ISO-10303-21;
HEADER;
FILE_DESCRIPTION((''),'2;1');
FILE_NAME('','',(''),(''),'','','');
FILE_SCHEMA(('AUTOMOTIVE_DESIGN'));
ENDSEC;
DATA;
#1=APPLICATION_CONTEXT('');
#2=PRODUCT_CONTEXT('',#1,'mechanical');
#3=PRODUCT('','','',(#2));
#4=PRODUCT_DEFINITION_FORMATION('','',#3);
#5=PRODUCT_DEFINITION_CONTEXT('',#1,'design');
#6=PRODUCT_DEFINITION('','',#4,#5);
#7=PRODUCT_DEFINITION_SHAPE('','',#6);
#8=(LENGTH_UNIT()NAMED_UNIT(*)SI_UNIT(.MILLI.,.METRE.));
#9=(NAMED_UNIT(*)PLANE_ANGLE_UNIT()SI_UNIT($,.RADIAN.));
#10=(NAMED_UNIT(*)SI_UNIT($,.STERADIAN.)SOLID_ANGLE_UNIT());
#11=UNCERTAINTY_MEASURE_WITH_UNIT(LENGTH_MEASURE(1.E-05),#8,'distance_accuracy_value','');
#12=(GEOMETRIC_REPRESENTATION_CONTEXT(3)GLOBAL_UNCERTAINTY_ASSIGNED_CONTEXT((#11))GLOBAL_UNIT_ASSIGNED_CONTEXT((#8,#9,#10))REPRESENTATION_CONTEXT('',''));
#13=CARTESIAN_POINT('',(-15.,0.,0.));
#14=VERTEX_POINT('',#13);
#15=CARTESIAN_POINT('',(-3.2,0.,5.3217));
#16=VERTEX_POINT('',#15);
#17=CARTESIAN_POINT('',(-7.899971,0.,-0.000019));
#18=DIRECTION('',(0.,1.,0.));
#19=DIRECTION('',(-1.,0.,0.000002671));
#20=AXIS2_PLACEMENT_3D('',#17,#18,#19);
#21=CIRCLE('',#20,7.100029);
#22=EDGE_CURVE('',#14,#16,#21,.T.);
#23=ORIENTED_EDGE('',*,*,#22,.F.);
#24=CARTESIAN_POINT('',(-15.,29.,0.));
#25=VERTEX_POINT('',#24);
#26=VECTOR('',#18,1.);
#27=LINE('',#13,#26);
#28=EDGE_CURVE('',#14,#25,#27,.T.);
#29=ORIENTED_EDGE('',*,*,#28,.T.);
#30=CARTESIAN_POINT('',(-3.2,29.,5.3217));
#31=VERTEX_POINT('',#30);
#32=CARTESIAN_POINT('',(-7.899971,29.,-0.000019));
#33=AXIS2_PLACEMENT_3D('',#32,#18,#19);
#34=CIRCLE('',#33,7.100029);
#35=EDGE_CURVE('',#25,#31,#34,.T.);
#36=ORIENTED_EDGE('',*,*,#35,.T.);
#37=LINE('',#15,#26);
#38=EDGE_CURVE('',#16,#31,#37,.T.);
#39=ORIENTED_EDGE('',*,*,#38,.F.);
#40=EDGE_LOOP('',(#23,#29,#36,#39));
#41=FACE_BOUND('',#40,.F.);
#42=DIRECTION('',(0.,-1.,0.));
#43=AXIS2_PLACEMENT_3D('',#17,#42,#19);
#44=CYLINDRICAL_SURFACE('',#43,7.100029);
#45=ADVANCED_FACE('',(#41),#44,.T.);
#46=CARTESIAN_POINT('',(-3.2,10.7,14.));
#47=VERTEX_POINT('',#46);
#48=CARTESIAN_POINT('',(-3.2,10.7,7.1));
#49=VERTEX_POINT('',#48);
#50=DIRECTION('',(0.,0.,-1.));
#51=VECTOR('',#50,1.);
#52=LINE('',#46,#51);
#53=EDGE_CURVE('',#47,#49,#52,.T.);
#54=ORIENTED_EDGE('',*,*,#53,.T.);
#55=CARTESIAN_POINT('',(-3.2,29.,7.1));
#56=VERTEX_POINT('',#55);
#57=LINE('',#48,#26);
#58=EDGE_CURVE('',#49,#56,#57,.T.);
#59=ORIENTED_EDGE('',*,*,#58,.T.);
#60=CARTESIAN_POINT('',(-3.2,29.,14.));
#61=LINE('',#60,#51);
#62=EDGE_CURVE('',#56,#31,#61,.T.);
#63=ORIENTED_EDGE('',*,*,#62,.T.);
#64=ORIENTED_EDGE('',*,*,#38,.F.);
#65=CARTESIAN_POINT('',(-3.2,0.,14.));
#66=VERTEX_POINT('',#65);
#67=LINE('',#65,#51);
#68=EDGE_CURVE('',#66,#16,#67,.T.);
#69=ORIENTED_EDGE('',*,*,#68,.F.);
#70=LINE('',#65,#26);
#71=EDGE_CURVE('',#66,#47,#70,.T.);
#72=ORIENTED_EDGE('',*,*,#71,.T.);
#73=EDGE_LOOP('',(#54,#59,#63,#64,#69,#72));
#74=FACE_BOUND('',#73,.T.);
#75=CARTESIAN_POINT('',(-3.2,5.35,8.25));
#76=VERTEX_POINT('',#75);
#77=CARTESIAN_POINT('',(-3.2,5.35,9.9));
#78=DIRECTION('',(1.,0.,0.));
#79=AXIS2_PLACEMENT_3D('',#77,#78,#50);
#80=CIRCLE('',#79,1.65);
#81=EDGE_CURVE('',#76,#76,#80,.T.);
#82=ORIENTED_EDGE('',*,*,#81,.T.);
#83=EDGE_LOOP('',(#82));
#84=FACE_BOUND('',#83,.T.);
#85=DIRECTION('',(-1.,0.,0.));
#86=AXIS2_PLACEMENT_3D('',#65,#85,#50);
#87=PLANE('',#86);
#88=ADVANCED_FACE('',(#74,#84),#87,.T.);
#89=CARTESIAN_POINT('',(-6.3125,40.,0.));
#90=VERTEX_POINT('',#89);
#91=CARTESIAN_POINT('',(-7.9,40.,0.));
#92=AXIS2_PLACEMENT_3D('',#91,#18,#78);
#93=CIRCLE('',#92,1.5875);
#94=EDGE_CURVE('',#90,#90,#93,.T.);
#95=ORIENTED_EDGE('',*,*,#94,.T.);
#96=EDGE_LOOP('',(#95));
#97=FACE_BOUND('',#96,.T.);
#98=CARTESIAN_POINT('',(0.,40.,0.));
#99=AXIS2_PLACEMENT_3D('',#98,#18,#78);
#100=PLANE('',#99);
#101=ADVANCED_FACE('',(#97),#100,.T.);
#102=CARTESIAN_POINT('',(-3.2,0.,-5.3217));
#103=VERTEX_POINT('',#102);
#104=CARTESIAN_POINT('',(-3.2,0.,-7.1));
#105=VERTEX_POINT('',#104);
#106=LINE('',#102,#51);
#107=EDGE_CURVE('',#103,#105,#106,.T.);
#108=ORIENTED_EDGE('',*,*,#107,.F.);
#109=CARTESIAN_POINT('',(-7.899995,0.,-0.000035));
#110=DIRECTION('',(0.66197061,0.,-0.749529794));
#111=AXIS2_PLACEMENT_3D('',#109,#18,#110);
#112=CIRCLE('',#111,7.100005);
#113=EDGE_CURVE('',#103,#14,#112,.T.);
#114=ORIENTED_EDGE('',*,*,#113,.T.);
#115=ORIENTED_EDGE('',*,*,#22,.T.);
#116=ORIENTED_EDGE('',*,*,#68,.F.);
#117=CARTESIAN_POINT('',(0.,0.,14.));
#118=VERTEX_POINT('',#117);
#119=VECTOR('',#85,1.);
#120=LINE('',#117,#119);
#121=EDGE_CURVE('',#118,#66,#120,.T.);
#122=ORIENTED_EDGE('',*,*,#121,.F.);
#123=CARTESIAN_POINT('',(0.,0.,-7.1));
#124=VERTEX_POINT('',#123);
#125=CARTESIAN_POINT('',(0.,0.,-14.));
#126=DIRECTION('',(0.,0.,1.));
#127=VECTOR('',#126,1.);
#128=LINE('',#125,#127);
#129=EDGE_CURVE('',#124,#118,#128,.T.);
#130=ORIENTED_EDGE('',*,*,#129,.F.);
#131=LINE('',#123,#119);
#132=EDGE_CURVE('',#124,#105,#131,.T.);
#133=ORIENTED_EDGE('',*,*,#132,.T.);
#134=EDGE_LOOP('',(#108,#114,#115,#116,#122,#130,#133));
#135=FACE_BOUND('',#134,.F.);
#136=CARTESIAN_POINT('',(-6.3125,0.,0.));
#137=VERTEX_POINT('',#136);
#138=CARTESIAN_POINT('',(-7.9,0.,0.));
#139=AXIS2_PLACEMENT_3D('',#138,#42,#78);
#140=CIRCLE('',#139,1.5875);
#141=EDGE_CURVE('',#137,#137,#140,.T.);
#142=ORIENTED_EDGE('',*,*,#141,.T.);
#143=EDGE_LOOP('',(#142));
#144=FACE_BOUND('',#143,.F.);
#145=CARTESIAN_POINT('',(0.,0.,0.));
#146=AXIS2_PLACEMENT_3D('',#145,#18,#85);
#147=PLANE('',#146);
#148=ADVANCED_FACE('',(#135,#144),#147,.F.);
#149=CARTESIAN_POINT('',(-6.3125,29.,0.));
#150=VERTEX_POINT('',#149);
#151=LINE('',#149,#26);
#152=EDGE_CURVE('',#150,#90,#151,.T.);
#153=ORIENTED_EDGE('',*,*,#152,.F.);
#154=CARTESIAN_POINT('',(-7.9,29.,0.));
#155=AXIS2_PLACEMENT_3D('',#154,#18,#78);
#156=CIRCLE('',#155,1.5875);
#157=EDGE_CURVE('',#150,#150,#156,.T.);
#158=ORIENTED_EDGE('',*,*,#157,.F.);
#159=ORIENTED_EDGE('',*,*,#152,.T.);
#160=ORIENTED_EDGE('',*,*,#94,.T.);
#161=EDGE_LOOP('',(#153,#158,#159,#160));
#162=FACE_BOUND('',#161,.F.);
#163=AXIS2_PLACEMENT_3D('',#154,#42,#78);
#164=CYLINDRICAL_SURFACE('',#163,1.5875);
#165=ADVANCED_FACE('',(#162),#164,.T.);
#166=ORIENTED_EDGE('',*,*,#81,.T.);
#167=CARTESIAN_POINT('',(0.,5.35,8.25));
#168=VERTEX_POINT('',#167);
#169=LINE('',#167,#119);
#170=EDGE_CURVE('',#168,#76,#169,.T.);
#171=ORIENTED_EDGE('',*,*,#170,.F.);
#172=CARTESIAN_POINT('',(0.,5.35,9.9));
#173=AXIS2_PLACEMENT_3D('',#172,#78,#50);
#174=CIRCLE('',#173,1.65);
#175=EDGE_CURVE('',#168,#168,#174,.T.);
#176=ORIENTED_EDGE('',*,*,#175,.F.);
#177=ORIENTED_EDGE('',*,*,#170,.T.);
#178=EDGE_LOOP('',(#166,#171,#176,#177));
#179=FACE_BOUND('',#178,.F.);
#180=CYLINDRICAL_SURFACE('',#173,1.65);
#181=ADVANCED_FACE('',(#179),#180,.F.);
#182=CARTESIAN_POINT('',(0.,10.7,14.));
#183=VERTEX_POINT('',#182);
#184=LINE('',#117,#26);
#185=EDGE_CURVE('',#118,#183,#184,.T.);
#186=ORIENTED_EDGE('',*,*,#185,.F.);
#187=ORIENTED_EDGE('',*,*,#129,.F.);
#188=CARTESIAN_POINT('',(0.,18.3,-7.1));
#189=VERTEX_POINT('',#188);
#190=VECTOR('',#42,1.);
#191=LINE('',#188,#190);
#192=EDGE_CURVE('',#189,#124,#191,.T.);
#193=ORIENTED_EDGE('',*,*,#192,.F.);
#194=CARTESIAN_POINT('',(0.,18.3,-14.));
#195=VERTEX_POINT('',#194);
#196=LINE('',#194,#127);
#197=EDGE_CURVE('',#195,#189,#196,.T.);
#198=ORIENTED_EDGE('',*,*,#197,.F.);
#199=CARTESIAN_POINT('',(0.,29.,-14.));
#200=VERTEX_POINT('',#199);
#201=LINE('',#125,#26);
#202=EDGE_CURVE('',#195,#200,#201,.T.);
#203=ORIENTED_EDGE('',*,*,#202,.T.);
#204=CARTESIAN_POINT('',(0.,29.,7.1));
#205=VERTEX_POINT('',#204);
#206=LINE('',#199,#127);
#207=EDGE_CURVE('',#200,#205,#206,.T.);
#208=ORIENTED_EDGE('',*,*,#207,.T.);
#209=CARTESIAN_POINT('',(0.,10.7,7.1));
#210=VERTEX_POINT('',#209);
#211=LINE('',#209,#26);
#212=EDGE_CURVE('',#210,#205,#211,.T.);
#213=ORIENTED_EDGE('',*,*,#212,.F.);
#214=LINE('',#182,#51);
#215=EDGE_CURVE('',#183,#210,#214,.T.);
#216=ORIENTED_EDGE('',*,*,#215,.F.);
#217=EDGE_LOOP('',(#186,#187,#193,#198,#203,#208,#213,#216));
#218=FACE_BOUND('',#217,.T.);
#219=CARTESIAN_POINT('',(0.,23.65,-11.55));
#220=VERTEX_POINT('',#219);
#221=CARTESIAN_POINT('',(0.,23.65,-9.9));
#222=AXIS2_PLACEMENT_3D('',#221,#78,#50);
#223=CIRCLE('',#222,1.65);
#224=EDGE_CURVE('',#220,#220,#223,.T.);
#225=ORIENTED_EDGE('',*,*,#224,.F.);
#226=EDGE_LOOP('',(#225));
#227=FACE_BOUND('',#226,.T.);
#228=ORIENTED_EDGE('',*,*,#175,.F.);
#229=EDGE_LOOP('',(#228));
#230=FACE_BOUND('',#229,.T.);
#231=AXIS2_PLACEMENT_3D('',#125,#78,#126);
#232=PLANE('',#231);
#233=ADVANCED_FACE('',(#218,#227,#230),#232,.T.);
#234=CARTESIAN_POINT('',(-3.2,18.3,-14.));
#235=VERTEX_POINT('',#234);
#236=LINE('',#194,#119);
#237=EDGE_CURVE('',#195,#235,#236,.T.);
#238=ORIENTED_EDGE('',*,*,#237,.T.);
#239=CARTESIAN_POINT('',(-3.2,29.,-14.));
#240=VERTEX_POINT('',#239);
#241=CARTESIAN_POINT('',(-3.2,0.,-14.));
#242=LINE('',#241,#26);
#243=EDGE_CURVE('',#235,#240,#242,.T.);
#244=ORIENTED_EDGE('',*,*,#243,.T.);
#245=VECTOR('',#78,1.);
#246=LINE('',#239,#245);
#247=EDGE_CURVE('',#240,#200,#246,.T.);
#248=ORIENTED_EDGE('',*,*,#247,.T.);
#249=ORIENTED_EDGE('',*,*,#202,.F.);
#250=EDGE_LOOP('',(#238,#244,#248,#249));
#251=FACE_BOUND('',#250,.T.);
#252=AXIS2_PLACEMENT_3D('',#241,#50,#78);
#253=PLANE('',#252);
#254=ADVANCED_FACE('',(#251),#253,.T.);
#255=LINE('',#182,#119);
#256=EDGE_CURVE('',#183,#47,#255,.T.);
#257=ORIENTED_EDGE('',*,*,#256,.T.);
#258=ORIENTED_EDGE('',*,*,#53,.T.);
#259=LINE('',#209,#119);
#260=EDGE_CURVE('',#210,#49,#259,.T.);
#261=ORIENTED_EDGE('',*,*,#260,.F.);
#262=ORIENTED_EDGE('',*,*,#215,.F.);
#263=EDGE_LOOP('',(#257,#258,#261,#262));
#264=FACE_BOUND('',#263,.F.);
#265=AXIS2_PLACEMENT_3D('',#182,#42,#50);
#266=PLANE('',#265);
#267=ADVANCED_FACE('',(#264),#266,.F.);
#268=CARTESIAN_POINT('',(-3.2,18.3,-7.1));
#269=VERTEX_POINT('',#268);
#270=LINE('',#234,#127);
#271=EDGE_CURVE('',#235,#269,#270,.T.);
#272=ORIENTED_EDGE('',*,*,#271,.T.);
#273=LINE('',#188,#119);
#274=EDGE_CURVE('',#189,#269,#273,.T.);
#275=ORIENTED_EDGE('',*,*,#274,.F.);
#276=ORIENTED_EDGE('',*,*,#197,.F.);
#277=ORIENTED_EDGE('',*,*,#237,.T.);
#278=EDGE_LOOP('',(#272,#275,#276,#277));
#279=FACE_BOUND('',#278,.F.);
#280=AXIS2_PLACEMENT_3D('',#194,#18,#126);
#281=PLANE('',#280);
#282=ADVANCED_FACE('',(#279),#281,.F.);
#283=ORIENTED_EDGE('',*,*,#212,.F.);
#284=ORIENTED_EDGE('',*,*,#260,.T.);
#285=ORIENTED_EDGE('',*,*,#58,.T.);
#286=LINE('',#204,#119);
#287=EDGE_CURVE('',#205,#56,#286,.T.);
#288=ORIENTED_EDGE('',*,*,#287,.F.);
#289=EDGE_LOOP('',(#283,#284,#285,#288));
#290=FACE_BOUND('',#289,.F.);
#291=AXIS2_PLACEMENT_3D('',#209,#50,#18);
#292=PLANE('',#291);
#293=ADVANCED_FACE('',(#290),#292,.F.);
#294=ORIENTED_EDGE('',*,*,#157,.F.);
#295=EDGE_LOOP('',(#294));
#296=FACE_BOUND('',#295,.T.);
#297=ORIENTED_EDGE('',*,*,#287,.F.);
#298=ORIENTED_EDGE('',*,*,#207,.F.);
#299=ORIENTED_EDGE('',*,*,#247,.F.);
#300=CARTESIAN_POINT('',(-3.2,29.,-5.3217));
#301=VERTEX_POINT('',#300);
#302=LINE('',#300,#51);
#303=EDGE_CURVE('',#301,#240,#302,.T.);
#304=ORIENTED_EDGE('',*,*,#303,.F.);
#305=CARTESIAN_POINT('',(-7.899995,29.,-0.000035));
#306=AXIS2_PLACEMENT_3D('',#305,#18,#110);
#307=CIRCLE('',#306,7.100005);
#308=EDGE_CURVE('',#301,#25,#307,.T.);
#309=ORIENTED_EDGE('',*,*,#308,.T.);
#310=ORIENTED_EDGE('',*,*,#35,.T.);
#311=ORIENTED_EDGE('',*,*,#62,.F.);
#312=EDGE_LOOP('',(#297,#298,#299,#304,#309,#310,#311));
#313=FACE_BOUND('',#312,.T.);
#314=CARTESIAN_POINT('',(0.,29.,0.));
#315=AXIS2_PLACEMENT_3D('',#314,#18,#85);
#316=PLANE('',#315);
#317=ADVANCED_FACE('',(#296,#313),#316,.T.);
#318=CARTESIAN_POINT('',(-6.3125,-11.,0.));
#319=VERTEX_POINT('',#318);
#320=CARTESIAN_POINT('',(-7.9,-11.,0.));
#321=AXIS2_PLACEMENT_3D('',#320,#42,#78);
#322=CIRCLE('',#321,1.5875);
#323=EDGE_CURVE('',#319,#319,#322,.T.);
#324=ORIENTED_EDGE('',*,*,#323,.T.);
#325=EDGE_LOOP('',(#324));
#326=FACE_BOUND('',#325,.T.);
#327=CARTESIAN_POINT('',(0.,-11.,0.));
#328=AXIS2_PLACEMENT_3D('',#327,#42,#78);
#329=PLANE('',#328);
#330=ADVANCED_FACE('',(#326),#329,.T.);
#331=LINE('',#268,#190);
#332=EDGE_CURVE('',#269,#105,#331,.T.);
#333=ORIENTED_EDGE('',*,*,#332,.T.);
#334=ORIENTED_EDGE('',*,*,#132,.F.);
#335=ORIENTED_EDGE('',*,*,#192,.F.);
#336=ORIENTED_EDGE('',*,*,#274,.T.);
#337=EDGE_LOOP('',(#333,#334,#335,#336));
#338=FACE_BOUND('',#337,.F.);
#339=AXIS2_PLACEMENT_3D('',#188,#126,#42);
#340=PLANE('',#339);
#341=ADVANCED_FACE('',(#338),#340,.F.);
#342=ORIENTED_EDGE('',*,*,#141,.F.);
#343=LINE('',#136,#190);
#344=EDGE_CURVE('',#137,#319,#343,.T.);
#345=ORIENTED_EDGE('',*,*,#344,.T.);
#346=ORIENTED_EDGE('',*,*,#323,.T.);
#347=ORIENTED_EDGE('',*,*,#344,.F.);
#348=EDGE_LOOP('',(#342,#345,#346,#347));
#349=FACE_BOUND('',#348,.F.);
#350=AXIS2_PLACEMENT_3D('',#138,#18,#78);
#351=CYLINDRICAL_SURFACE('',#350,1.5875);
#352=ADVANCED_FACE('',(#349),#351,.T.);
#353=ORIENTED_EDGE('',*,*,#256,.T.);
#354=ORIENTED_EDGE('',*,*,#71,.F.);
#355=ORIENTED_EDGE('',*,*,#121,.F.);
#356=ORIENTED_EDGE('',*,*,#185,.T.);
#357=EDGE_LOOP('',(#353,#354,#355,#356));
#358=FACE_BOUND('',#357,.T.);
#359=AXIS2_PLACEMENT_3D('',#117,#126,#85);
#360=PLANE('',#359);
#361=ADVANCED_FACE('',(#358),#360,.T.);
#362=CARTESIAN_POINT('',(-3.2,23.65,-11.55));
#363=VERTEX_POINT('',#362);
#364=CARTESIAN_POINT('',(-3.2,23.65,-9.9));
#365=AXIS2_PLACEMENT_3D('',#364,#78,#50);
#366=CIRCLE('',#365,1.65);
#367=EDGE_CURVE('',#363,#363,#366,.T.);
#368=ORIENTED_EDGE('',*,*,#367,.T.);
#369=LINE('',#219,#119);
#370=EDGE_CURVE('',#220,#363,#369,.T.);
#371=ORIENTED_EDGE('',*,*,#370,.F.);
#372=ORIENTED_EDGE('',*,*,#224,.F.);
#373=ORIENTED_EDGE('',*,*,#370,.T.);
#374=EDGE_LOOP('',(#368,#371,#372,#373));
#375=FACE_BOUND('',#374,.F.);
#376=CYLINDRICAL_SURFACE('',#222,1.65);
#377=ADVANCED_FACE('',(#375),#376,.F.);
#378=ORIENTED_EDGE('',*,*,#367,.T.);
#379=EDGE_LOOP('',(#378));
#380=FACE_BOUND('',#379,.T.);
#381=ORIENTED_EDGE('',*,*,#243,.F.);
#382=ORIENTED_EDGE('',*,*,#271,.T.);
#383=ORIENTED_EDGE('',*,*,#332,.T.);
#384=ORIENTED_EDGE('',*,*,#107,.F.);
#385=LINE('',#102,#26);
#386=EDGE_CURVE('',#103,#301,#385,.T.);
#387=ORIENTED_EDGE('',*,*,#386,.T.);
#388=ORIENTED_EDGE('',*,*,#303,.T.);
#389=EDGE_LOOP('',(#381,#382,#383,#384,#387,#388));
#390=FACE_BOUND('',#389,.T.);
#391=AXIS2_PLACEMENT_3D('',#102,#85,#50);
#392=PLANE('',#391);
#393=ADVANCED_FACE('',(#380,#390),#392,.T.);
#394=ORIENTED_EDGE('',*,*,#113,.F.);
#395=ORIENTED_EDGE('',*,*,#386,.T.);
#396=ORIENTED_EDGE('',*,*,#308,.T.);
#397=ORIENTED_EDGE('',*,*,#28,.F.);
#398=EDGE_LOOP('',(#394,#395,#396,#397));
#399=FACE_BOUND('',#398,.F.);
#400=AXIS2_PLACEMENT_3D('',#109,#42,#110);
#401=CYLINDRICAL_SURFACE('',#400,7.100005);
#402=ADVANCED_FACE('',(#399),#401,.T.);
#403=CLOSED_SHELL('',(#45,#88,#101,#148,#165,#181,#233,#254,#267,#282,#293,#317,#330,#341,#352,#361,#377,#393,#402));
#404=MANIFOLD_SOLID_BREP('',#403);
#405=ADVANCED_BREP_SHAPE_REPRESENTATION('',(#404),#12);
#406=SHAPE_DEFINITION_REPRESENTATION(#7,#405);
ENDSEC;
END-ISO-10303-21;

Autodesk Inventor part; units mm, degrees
ref_plane "YZ Plane" through (0, 0, 0) normal (1, 0, 0) x (0, 1, 0)
ref_plane "XZ Plane" through (0, 0, 0) normal (0, 1, 0) x (-1, 0, 0)
ref_plane "XY Plane" through (0, 0, 0) normal (0, 0, 1) x (1, 0, 0)
sketch "Sketch1" plane through (0, 0, 0) normal (0, 1, 0) x (-1, 0, 0)
  arc A0 (3.2, -5.3217) -> (15, 0) centre (7.9, 0) ccw
  line L0 (3.2, -5.3217) -> (3.2, -14)
  line L1 (3.2, -14) -> (0, -14)
  line L2 (0, -14) -> (0, 14)
  line L3 (0, 14) -> (3.2, 14)
  line L4 (3.2, 14) -> (3.2, 5.3217)
  arc A1 (15, 0) -> (3.2, 5.3217) centre (7.9, 0) ccw
  line L5 (7.9, 7.1) -> (7.9, -7.1) construction
  line L6 (3.2, 5.3217) -> (15, 0) construction
  line L7 (3.2, -5.3217) -> (15, 0) construction
  point P0 (0, 0)
  point P1 (0, 0)
  dimension "d0" = 3.2
  dimension "d1" = 28
  dimension "d5" = 14.2
  dimension "d6" = 15
extrude "Extrusion1" add sketch "Sketch1" along normal blind 29
sketch "Sketch2" plane through (0, 0, 14) normal (1, 0, 0) x (0, 0, -1)
  circle A0 centre (23.9, 23.65) radius 1.65
  circle A1 centre (4.1, 5.35) radius 1.65
  line L0 (23.9, 23.65) -> (23.9, 5.35) construction
  line L1 (23.9, 5.35) -> (4.1, 5.35) construction
  line L2 (28, 0) -> (28, 29) projected
  line L3 (0, 0) -> (0, 29) projected
  line L4 (23.9, 23.65) -> (28, 23.65) construction
  line L5 (23.9, 23.65) -> (28, 29) construction
  line L6 (0, 0) -> (4.1, 5.35) construction
  line L7 (4.1, 5.35) -> (0, 5.35) construction
  line L8 (28, 18.3) -> (21.1, 18.3)
  line L9 (21.1, 18.3) -> (21.1, 0)
  line L10 (21.1, 0) -> (28, 0)
  line L11 (0, 10.7) -> (6.9, 10.7)
  line L12 (6.9, 10.7) -> (6.9, 29)
  line L13 (6.9, 29) -> (0, 29)
  line L14 (28, 18.3) -> (23.9, 23.65) construction
  point P0 (14, 0)
  dimension "d9" = 19.8
  dimension "d10" = 18.3
  dimension "d11" = 3.3
  dimension "d12" = 2.8
extrude "Extrusion2" cut sketch "Sketch2" against normal up to surface (3.2 mm away)
sketch "Sketch3" plane through (0, 0, 0) normal (0, -1, 0) x (1, 0, 0)
  arc A0 (-3.2, 5.3217) -> (-3.2, -5.3217) centre (-7.9, 0) ccw projected
  circle A1 centre (-7.9, 0) radius 1.5875
  point P0 (0, 0)
  dimension "d15" = 3.175
extrude "Extrusion3" add sketch "Sketch3" along normal blind 11
sketch "Sketch4" plane through (0, 29, 0) normal (0, 1, 0) x (1, 0, 0)
  arc A0 (-3.2, 5.3217) -> (-3.2, -5.3217) centre (-7.9, 0) ccw construction
  circle A1 centre (-7.9, 0) radius 1.5875
  point P0 (0, 0)
  dimension "d18" = 3.175
extrude "Extrusion4" add sketch "Sketch4" along normal blind 11
properties part number "Power Resistor - HSA25" material "Gold"
